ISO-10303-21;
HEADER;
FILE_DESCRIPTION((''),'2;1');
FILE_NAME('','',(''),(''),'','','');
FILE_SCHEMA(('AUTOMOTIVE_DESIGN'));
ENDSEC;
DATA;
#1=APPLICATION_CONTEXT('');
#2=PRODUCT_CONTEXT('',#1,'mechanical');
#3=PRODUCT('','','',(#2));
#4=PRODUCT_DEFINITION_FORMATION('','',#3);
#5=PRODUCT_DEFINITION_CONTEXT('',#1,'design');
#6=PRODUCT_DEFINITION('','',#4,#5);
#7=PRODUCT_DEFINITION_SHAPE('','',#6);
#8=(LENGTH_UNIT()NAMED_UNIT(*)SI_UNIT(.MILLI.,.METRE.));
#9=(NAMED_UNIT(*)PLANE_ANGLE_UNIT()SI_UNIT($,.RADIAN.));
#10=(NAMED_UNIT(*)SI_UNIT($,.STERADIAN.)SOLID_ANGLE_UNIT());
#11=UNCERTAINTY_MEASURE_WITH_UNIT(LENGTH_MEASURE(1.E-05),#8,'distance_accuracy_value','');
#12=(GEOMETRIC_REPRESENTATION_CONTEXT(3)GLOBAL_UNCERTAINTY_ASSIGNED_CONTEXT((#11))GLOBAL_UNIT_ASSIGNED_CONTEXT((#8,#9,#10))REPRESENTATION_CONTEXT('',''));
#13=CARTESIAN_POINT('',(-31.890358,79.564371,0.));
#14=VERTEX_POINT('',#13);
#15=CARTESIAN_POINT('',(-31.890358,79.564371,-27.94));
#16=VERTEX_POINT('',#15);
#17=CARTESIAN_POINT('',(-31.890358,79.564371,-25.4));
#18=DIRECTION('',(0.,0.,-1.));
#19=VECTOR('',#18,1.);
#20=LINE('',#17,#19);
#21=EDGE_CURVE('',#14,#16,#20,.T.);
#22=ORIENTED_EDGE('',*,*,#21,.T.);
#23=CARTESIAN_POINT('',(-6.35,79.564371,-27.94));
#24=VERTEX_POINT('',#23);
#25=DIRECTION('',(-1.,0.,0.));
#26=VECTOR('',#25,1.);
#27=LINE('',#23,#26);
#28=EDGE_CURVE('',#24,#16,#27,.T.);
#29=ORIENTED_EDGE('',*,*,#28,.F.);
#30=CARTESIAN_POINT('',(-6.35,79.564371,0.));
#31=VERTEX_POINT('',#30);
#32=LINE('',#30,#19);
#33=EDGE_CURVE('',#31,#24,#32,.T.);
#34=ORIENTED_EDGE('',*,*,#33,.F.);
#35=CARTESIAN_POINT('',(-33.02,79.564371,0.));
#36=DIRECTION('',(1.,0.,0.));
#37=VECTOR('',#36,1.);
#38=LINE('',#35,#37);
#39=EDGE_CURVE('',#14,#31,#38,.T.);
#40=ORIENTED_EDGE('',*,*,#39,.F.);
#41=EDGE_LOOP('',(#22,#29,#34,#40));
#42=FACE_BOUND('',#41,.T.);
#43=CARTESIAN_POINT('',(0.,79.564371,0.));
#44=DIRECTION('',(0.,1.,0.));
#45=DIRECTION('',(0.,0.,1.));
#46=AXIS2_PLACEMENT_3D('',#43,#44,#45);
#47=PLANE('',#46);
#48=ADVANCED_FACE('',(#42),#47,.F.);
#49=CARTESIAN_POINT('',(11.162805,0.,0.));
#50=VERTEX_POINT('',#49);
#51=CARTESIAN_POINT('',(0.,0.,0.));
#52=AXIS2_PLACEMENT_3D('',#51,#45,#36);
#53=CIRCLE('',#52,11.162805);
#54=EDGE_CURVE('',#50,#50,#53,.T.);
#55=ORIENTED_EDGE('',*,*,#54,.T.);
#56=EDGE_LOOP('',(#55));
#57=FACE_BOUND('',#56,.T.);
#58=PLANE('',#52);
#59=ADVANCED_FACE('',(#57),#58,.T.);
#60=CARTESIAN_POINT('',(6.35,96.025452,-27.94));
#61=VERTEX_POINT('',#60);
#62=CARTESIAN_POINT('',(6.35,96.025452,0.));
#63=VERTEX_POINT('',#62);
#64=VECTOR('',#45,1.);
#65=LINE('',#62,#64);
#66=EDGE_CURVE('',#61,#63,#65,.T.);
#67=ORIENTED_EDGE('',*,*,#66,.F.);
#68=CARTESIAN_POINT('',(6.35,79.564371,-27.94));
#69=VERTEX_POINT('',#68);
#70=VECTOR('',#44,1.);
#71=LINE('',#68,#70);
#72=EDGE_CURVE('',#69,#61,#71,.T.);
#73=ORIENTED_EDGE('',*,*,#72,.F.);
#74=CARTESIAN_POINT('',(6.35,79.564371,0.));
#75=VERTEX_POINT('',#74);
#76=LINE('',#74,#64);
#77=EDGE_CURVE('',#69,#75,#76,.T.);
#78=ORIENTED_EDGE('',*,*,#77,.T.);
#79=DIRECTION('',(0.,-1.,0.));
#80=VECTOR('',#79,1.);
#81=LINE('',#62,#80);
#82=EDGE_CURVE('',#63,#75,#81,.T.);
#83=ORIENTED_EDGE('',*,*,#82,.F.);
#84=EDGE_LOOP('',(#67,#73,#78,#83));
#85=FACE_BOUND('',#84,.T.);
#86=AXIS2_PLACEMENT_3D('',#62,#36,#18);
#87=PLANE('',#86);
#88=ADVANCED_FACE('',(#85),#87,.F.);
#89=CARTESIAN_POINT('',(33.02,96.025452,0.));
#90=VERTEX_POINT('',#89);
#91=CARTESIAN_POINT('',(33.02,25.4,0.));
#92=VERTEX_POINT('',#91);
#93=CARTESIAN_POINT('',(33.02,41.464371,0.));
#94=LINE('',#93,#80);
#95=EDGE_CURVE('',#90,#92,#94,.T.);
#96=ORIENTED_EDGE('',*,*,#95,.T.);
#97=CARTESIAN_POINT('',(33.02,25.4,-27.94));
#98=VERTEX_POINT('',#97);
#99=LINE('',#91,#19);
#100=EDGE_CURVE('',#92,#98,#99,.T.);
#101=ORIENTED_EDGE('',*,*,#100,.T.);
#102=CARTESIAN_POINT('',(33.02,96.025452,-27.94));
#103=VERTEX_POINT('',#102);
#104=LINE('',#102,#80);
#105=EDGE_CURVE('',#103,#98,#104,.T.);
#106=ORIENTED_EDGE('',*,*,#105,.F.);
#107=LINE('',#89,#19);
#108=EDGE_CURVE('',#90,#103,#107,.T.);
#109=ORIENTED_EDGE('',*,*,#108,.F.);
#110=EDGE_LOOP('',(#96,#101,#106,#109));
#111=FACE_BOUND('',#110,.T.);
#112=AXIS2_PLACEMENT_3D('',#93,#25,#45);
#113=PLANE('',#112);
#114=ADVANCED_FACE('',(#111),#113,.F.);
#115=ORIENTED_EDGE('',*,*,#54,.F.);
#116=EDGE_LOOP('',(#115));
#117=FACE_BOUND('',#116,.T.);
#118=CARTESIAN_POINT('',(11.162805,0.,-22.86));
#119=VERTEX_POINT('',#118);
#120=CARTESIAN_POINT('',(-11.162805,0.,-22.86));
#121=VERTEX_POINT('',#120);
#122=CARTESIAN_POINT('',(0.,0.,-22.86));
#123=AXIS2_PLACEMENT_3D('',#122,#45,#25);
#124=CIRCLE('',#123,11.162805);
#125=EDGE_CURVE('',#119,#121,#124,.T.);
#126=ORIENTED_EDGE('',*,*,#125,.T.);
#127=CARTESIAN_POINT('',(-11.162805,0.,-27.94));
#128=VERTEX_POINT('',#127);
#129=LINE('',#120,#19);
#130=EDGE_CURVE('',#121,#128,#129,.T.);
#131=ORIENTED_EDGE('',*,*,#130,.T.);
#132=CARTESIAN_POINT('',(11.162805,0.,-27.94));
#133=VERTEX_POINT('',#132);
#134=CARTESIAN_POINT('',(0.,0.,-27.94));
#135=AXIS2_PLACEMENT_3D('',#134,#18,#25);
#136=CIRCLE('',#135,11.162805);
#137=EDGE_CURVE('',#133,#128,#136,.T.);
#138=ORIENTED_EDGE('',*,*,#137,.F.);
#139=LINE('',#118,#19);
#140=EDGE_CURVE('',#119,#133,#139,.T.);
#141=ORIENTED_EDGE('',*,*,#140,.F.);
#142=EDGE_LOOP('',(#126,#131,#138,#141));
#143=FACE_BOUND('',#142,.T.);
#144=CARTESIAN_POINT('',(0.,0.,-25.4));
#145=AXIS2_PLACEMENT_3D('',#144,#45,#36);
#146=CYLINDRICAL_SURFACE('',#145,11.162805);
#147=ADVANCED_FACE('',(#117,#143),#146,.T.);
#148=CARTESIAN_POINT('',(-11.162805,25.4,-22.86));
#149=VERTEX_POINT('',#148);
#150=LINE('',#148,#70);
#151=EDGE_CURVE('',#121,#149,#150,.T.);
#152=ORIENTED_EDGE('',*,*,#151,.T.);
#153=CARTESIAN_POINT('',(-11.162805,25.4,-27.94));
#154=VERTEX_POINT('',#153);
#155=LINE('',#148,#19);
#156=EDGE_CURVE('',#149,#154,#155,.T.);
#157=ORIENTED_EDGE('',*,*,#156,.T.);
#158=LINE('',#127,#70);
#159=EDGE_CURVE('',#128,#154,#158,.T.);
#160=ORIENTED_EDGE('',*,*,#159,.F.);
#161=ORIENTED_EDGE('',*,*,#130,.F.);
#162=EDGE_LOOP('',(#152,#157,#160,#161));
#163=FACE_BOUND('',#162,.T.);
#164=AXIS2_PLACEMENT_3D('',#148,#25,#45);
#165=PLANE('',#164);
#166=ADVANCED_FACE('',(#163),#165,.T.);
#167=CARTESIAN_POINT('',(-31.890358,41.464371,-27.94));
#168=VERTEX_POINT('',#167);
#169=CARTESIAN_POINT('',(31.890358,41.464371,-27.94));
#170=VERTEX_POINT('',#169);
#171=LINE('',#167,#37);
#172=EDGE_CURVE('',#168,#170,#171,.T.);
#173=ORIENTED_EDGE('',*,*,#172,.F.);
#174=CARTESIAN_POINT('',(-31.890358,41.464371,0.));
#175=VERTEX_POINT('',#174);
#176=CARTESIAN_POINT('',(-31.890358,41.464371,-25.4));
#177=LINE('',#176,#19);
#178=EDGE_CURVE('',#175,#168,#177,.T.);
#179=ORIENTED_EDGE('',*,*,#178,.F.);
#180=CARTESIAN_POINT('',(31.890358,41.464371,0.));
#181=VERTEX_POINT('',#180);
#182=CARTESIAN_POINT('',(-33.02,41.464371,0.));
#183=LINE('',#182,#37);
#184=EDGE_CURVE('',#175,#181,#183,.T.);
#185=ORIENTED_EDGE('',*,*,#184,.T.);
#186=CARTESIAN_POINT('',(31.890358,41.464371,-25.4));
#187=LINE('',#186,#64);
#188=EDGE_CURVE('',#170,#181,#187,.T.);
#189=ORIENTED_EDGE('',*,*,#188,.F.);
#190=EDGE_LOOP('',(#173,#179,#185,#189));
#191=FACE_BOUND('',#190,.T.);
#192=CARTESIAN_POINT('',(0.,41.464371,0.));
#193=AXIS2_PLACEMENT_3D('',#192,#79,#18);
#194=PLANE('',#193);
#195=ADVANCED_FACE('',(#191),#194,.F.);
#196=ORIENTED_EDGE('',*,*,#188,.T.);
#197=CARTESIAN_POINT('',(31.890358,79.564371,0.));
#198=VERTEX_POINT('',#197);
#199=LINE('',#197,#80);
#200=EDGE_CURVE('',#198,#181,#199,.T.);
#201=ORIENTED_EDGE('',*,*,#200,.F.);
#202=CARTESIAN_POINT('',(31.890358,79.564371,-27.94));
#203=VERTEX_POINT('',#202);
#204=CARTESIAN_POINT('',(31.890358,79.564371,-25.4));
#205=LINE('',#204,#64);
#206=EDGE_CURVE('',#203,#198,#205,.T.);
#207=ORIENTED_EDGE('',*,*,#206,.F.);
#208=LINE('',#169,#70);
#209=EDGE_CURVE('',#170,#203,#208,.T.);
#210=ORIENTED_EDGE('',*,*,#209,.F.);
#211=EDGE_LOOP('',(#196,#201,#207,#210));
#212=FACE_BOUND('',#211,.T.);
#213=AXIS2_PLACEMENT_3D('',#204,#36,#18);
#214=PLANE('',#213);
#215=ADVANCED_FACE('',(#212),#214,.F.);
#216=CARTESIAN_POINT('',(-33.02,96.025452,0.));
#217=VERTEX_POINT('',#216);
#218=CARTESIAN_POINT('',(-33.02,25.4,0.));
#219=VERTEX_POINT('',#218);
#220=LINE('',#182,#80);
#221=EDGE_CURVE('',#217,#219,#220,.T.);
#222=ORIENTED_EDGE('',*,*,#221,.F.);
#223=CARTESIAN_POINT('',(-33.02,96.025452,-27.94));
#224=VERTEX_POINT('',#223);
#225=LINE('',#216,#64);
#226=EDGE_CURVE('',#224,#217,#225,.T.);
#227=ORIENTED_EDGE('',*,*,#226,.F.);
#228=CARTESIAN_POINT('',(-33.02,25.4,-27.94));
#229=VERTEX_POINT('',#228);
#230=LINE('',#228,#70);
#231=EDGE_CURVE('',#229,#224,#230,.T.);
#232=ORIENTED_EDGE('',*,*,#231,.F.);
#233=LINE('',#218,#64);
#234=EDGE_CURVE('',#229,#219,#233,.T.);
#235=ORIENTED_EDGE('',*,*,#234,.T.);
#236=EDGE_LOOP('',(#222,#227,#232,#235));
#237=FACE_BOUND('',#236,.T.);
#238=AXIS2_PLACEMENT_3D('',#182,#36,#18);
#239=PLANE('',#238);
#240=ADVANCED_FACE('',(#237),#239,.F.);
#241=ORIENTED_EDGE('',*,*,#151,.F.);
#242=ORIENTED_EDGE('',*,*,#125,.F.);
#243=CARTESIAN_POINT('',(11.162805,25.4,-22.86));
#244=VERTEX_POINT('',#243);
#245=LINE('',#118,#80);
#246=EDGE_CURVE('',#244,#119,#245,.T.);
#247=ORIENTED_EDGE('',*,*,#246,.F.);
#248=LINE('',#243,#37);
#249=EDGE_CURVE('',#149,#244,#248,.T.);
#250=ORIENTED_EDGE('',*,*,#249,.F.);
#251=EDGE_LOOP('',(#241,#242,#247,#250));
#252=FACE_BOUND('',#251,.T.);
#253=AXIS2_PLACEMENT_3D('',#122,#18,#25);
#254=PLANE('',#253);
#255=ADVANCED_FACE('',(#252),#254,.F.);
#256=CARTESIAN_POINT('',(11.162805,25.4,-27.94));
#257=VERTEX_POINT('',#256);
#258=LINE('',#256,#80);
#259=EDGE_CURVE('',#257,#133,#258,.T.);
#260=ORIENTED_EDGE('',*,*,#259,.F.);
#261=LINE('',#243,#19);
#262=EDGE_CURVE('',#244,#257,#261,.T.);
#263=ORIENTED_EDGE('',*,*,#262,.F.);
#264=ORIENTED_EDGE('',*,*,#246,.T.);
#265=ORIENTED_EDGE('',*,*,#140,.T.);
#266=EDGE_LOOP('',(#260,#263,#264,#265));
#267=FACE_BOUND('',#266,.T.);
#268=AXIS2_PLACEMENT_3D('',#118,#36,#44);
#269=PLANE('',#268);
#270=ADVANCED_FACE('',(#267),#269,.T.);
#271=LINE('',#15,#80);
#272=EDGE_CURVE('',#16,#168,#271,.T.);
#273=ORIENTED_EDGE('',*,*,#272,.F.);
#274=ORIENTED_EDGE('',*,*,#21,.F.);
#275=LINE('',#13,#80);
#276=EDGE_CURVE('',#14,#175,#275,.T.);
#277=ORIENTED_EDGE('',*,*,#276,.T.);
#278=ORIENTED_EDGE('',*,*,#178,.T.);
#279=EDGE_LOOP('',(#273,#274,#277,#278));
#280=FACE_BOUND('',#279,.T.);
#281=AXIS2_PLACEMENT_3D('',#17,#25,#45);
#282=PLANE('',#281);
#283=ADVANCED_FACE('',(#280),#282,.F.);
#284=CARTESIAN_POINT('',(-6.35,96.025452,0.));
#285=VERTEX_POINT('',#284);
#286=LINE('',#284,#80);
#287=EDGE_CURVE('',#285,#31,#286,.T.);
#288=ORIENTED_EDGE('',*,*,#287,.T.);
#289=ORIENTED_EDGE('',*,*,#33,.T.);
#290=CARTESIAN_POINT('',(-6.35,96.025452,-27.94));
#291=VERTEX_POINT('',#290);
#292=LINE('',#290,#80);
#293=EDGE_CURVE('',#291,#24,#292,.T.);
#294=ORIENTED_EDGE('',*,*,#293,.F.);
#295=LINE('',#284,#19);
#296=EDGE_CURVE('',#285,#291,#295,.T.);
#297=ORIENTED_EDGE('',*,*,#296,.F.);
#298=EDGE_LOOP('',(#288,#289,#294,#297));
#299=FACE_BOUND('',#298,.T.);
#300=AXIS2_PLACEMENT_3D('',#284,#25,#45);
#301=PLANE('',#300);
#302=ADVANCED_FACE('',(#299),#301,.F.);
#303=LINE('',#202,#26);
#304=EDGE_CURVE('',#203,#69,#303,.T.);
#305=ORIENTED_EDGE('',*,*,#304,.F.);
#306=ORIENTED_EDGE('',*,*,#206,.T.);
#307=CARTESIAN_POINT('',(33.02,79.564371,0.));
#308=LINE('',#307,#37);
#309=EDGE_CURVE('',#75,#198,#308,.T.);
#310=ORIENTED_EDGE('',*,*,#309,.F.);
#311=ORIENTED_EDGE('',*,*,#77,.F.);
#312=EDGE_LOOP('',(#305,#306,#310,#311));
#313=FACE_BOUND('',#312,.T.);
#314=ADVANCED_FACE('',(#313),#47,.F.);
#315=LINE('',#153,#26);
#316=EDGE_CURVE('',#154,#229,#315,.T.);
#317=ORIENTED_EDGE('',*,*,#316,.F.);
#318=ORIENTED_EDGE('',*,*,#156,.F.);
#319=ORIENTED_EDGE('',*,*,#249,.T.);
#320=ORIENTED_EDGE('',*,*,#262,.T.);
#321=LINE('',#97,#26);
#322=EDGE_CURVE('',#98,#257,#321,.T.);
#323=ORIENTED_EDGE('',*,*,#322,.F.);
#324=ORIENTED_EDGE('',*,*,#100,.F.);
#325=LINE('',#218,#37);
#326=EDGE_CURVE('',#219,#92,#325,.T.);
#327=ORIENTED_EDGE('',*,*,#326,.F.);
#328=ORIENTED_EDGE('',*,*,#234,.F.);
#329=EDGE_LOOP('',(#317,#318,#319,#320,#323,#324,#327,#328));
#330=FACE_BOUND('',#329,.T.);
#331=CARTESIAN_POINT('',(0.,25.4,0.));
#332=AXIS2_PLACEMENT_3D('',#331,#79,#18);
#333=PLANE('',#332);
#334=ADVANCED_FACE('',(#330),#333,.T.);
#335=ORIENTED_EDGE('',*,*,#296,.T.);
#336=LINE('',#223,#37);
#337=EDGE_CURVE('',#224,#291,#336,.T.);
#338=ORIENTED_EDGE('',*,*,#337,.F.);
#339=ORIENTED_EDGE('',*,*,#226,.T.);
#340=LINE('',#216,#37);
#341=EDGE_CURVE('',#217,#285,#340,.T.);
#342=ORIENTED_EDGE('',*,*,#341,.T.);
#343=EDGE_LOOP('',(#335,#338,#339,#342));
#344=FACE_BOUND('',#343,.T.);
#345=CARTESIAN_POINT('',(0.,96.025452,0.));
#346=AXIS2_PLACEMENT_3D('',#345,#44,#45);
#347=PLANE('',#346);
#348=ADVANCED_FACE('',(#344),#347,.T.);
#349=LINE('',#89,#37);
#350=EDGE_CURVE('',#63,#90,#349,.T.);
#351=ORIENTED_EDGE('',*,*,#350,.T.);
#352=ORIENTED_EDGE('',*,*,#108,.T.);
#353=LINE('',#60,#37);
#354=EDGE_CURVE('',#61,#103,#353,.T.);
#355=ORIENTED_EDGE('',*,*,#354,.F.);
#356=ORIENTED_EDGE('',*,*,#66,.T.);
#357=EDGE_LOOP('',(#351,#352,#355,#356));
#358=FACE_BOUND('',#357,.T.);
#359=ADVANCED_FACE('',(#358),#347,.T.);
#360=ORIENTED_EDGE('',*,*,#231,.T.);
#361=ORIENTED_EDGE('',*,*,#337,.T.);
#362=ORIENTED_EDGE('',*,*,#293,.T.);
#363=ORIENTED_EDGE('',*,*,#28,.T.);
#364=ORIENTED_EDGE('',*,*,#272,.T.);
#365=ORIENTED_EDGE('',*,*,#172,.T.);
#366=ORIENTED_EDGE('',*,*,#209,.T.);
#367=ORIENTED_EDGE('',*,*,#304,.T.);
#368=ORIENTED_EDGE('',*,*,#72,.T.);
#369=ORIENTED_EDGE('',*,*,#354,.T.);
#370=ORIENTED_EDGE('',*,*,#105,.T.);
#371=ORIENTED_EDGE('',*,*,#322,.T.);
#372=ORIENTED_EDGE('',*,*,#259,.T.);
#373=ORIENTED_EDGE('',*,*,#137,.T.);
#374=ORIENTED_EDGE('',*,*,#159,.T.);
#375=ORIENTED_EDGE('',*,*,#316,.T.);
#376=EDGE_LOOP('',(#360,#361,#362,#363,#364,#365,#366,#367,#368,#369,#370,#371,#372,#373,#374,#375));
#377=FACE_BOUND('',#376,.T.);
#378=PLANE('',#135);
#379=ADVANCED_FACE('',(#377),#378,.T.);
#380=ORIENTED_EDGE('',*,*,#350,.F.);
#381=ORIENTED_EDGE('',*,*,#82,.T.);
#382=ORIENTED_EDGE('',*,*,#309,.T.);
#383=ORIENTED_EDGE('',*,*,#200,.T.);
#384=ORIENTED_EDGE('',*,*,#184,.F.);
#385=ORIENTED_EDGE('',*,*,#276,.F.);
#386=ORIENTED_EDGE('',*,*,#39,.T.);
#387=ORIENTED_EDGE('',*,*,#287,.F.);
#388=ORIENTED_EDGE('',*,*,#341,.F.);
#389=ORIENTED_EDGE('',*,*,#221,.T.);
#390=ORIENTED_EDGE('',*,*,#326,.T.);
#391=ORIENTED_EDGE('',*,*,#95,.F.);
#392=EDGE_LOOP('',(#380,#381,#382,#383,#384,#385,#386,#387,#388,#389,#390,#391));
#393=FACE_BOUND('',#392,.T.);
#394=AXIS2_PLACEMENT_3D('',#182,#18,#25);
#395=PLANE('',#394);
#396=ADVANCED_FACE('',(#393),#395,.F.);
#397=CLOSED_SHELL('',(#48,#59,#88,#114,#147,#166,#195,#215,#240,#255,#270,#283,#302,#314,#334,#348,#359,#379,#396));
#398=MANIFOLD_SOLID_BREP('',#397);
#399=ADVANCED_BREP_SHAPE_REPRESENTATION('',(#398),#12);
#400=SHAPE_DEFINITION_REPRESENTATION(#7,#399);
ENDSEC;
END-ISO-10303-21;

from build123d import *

# Parameters (mm, degrees)
SKETCH1_R           = 11.162804955
BOSS_EXTRUDE1_DEPTH = 25.4
BOSS_EXTRUDE2_START = -2.54
BOSS_EXTRUDE2_DEPTH = 2.54
SKETCH4_W           = 66.04
SKETCH4_H           = 25.4
BOSS_EXTRUDE3_DEPTH = 16.064370514
SKETCH5_W           = 1.129641984
SKETCH5_H           = 25.4
BOSS_EXTRUDE4_DEPTH = 38.1
SKETCH6_W           = 26.67
SKETCH6_H           = 25.4
BOSS_EXTRUDE5_DEPTH = 16.461081374
BOSS_EXTRUDE8_DEPTH = 2.54


with BuildPart() as part:
    # Sketch1 → Boss-Extrude1 (new body)
    with BuildSketch(Plane.XY):
        Circle(SKETCH1_R)
    extrude(amount=-BOSS_EXTRUDE1_DEPTH)

    # Sketch2 → Boss-Extrude2 (add)
    with BuildSketch(Plane(origin=(0, 0, -25.4), x_dir=(-1, 0, 0), z_dir=(0, 0, -1)).offset(BOSS_EXTRUDE2_START)):
        with BuildLine():
            Line((-11.162804955, 0), (-11.162804955, 25.4))
            Line((-11.162804955, 25.4), (11.162804955, 25.4))
            Line((11.162804955, 25.4), (11.162804955, 0))
            ThreePointArc((11.162804955, 0), (0, 11.162804955), (-11.162804955, 0))
        make_face()
    extrude(amount=BOSS_EXTRUDE2_DEPTH)

    # Sketch4 → Boss-Extrude3 (add)
    with BuildSketch(Plane(origin=(0, 25.4, 0), x_dir=(1, 0, 0), z_dir=(0, 1, 0))):
        with Locations((0, 12.7)):
            Rectangle(SKETCH4_W, SKETCH4_H)
    extrude(amount=BOSS_EXTRUDE3_DEPTH)

    # Sketch5 → Boss-Extrude4 (add)
    with BuildSketch(Plane(origin=(0, 41.464370514, 0), x_dir=(1, 0, 0), z_dir=(0, 1, 0))):
        with Locations((-32.455179008, 12.7)):
            Rectangle(SKETCH5_W, SKETCH5_H)
        with Locations((32.455179008, 12.7)):
            Rectangle(SKETCH5_W, SKETCH5_H)
    extrude(amount=BOSS_EXTRUDE4_DEPTH)

    # Sketch6 → Boss-Extrude5 (add)
    with BuildSketch(Plane(origin=(0, 79.564370514, 0), x_dir=(1, 0, 0), z_dir=(0, 1, 0))):
        with Locations((19.685, 12.7)):
            Rectangle(SKETCH6_W, SKETCH6_H)
        with Locations((-19.685, 12.7)):
            Rectangle(SKETCH6_W, SKETCH6_H)
    extrude(amount=BOSS_EXTRUDE5_DEPTH)

    # Sketch10 → Boss-Extrude8 (add)
    with BuildSketch(Plane(origin=(0, 0, -25.4), x_dir=(-1, 0, 0), z_dir=(0, 0, -1))):
        with BuildLine():
            Line((11.162804955, 0), (11.162804955, 25.4))
            Line((11.162804955, 25.4), (33.02, 25.4))
            Line((33.02, 25.4), (33.02, 96.025451888))
            Line((33.02, 96.025451888), (6.35, 96.025451888))
            Line((6.35, 96.025451888), (6.35, 79.564370514))
            Line((6.35, 79.564370514), (31.890358016, 79.564370514))
            Line((31.890358016, 79.564370514), (31.890358016, 41.464370514))
            Line((31.890358016, 41.464370514), (-31.890358016, 41.464370514))
            Line((-31.890358016, 41.464370514), (-31.890358016, 79.564370514))
            Line((-31.890358016, 79.564370514), (-6.35, 79.564370514))
            Line((-6.35, 79.564370514), (-6.35, 96.025451888))
            Line((-6.35, 96.025451888), (-33.02, 96.025451888))
            Line((-33.02, 96.025451888), (-33.02, 25.4))
            Line((-33.02, 25.4), (-11.162804955, 25.4))
            Line((-11.162804955, 25.4), (-11.162804955, 0))
            ThreePointArc((-11.162804955, 0), (0, -11.162804955), (11.162804955, 0))
        make_face()
    extrude(amount=BOSS_EXTRUDE8_DEPTH)


solid = part.part
